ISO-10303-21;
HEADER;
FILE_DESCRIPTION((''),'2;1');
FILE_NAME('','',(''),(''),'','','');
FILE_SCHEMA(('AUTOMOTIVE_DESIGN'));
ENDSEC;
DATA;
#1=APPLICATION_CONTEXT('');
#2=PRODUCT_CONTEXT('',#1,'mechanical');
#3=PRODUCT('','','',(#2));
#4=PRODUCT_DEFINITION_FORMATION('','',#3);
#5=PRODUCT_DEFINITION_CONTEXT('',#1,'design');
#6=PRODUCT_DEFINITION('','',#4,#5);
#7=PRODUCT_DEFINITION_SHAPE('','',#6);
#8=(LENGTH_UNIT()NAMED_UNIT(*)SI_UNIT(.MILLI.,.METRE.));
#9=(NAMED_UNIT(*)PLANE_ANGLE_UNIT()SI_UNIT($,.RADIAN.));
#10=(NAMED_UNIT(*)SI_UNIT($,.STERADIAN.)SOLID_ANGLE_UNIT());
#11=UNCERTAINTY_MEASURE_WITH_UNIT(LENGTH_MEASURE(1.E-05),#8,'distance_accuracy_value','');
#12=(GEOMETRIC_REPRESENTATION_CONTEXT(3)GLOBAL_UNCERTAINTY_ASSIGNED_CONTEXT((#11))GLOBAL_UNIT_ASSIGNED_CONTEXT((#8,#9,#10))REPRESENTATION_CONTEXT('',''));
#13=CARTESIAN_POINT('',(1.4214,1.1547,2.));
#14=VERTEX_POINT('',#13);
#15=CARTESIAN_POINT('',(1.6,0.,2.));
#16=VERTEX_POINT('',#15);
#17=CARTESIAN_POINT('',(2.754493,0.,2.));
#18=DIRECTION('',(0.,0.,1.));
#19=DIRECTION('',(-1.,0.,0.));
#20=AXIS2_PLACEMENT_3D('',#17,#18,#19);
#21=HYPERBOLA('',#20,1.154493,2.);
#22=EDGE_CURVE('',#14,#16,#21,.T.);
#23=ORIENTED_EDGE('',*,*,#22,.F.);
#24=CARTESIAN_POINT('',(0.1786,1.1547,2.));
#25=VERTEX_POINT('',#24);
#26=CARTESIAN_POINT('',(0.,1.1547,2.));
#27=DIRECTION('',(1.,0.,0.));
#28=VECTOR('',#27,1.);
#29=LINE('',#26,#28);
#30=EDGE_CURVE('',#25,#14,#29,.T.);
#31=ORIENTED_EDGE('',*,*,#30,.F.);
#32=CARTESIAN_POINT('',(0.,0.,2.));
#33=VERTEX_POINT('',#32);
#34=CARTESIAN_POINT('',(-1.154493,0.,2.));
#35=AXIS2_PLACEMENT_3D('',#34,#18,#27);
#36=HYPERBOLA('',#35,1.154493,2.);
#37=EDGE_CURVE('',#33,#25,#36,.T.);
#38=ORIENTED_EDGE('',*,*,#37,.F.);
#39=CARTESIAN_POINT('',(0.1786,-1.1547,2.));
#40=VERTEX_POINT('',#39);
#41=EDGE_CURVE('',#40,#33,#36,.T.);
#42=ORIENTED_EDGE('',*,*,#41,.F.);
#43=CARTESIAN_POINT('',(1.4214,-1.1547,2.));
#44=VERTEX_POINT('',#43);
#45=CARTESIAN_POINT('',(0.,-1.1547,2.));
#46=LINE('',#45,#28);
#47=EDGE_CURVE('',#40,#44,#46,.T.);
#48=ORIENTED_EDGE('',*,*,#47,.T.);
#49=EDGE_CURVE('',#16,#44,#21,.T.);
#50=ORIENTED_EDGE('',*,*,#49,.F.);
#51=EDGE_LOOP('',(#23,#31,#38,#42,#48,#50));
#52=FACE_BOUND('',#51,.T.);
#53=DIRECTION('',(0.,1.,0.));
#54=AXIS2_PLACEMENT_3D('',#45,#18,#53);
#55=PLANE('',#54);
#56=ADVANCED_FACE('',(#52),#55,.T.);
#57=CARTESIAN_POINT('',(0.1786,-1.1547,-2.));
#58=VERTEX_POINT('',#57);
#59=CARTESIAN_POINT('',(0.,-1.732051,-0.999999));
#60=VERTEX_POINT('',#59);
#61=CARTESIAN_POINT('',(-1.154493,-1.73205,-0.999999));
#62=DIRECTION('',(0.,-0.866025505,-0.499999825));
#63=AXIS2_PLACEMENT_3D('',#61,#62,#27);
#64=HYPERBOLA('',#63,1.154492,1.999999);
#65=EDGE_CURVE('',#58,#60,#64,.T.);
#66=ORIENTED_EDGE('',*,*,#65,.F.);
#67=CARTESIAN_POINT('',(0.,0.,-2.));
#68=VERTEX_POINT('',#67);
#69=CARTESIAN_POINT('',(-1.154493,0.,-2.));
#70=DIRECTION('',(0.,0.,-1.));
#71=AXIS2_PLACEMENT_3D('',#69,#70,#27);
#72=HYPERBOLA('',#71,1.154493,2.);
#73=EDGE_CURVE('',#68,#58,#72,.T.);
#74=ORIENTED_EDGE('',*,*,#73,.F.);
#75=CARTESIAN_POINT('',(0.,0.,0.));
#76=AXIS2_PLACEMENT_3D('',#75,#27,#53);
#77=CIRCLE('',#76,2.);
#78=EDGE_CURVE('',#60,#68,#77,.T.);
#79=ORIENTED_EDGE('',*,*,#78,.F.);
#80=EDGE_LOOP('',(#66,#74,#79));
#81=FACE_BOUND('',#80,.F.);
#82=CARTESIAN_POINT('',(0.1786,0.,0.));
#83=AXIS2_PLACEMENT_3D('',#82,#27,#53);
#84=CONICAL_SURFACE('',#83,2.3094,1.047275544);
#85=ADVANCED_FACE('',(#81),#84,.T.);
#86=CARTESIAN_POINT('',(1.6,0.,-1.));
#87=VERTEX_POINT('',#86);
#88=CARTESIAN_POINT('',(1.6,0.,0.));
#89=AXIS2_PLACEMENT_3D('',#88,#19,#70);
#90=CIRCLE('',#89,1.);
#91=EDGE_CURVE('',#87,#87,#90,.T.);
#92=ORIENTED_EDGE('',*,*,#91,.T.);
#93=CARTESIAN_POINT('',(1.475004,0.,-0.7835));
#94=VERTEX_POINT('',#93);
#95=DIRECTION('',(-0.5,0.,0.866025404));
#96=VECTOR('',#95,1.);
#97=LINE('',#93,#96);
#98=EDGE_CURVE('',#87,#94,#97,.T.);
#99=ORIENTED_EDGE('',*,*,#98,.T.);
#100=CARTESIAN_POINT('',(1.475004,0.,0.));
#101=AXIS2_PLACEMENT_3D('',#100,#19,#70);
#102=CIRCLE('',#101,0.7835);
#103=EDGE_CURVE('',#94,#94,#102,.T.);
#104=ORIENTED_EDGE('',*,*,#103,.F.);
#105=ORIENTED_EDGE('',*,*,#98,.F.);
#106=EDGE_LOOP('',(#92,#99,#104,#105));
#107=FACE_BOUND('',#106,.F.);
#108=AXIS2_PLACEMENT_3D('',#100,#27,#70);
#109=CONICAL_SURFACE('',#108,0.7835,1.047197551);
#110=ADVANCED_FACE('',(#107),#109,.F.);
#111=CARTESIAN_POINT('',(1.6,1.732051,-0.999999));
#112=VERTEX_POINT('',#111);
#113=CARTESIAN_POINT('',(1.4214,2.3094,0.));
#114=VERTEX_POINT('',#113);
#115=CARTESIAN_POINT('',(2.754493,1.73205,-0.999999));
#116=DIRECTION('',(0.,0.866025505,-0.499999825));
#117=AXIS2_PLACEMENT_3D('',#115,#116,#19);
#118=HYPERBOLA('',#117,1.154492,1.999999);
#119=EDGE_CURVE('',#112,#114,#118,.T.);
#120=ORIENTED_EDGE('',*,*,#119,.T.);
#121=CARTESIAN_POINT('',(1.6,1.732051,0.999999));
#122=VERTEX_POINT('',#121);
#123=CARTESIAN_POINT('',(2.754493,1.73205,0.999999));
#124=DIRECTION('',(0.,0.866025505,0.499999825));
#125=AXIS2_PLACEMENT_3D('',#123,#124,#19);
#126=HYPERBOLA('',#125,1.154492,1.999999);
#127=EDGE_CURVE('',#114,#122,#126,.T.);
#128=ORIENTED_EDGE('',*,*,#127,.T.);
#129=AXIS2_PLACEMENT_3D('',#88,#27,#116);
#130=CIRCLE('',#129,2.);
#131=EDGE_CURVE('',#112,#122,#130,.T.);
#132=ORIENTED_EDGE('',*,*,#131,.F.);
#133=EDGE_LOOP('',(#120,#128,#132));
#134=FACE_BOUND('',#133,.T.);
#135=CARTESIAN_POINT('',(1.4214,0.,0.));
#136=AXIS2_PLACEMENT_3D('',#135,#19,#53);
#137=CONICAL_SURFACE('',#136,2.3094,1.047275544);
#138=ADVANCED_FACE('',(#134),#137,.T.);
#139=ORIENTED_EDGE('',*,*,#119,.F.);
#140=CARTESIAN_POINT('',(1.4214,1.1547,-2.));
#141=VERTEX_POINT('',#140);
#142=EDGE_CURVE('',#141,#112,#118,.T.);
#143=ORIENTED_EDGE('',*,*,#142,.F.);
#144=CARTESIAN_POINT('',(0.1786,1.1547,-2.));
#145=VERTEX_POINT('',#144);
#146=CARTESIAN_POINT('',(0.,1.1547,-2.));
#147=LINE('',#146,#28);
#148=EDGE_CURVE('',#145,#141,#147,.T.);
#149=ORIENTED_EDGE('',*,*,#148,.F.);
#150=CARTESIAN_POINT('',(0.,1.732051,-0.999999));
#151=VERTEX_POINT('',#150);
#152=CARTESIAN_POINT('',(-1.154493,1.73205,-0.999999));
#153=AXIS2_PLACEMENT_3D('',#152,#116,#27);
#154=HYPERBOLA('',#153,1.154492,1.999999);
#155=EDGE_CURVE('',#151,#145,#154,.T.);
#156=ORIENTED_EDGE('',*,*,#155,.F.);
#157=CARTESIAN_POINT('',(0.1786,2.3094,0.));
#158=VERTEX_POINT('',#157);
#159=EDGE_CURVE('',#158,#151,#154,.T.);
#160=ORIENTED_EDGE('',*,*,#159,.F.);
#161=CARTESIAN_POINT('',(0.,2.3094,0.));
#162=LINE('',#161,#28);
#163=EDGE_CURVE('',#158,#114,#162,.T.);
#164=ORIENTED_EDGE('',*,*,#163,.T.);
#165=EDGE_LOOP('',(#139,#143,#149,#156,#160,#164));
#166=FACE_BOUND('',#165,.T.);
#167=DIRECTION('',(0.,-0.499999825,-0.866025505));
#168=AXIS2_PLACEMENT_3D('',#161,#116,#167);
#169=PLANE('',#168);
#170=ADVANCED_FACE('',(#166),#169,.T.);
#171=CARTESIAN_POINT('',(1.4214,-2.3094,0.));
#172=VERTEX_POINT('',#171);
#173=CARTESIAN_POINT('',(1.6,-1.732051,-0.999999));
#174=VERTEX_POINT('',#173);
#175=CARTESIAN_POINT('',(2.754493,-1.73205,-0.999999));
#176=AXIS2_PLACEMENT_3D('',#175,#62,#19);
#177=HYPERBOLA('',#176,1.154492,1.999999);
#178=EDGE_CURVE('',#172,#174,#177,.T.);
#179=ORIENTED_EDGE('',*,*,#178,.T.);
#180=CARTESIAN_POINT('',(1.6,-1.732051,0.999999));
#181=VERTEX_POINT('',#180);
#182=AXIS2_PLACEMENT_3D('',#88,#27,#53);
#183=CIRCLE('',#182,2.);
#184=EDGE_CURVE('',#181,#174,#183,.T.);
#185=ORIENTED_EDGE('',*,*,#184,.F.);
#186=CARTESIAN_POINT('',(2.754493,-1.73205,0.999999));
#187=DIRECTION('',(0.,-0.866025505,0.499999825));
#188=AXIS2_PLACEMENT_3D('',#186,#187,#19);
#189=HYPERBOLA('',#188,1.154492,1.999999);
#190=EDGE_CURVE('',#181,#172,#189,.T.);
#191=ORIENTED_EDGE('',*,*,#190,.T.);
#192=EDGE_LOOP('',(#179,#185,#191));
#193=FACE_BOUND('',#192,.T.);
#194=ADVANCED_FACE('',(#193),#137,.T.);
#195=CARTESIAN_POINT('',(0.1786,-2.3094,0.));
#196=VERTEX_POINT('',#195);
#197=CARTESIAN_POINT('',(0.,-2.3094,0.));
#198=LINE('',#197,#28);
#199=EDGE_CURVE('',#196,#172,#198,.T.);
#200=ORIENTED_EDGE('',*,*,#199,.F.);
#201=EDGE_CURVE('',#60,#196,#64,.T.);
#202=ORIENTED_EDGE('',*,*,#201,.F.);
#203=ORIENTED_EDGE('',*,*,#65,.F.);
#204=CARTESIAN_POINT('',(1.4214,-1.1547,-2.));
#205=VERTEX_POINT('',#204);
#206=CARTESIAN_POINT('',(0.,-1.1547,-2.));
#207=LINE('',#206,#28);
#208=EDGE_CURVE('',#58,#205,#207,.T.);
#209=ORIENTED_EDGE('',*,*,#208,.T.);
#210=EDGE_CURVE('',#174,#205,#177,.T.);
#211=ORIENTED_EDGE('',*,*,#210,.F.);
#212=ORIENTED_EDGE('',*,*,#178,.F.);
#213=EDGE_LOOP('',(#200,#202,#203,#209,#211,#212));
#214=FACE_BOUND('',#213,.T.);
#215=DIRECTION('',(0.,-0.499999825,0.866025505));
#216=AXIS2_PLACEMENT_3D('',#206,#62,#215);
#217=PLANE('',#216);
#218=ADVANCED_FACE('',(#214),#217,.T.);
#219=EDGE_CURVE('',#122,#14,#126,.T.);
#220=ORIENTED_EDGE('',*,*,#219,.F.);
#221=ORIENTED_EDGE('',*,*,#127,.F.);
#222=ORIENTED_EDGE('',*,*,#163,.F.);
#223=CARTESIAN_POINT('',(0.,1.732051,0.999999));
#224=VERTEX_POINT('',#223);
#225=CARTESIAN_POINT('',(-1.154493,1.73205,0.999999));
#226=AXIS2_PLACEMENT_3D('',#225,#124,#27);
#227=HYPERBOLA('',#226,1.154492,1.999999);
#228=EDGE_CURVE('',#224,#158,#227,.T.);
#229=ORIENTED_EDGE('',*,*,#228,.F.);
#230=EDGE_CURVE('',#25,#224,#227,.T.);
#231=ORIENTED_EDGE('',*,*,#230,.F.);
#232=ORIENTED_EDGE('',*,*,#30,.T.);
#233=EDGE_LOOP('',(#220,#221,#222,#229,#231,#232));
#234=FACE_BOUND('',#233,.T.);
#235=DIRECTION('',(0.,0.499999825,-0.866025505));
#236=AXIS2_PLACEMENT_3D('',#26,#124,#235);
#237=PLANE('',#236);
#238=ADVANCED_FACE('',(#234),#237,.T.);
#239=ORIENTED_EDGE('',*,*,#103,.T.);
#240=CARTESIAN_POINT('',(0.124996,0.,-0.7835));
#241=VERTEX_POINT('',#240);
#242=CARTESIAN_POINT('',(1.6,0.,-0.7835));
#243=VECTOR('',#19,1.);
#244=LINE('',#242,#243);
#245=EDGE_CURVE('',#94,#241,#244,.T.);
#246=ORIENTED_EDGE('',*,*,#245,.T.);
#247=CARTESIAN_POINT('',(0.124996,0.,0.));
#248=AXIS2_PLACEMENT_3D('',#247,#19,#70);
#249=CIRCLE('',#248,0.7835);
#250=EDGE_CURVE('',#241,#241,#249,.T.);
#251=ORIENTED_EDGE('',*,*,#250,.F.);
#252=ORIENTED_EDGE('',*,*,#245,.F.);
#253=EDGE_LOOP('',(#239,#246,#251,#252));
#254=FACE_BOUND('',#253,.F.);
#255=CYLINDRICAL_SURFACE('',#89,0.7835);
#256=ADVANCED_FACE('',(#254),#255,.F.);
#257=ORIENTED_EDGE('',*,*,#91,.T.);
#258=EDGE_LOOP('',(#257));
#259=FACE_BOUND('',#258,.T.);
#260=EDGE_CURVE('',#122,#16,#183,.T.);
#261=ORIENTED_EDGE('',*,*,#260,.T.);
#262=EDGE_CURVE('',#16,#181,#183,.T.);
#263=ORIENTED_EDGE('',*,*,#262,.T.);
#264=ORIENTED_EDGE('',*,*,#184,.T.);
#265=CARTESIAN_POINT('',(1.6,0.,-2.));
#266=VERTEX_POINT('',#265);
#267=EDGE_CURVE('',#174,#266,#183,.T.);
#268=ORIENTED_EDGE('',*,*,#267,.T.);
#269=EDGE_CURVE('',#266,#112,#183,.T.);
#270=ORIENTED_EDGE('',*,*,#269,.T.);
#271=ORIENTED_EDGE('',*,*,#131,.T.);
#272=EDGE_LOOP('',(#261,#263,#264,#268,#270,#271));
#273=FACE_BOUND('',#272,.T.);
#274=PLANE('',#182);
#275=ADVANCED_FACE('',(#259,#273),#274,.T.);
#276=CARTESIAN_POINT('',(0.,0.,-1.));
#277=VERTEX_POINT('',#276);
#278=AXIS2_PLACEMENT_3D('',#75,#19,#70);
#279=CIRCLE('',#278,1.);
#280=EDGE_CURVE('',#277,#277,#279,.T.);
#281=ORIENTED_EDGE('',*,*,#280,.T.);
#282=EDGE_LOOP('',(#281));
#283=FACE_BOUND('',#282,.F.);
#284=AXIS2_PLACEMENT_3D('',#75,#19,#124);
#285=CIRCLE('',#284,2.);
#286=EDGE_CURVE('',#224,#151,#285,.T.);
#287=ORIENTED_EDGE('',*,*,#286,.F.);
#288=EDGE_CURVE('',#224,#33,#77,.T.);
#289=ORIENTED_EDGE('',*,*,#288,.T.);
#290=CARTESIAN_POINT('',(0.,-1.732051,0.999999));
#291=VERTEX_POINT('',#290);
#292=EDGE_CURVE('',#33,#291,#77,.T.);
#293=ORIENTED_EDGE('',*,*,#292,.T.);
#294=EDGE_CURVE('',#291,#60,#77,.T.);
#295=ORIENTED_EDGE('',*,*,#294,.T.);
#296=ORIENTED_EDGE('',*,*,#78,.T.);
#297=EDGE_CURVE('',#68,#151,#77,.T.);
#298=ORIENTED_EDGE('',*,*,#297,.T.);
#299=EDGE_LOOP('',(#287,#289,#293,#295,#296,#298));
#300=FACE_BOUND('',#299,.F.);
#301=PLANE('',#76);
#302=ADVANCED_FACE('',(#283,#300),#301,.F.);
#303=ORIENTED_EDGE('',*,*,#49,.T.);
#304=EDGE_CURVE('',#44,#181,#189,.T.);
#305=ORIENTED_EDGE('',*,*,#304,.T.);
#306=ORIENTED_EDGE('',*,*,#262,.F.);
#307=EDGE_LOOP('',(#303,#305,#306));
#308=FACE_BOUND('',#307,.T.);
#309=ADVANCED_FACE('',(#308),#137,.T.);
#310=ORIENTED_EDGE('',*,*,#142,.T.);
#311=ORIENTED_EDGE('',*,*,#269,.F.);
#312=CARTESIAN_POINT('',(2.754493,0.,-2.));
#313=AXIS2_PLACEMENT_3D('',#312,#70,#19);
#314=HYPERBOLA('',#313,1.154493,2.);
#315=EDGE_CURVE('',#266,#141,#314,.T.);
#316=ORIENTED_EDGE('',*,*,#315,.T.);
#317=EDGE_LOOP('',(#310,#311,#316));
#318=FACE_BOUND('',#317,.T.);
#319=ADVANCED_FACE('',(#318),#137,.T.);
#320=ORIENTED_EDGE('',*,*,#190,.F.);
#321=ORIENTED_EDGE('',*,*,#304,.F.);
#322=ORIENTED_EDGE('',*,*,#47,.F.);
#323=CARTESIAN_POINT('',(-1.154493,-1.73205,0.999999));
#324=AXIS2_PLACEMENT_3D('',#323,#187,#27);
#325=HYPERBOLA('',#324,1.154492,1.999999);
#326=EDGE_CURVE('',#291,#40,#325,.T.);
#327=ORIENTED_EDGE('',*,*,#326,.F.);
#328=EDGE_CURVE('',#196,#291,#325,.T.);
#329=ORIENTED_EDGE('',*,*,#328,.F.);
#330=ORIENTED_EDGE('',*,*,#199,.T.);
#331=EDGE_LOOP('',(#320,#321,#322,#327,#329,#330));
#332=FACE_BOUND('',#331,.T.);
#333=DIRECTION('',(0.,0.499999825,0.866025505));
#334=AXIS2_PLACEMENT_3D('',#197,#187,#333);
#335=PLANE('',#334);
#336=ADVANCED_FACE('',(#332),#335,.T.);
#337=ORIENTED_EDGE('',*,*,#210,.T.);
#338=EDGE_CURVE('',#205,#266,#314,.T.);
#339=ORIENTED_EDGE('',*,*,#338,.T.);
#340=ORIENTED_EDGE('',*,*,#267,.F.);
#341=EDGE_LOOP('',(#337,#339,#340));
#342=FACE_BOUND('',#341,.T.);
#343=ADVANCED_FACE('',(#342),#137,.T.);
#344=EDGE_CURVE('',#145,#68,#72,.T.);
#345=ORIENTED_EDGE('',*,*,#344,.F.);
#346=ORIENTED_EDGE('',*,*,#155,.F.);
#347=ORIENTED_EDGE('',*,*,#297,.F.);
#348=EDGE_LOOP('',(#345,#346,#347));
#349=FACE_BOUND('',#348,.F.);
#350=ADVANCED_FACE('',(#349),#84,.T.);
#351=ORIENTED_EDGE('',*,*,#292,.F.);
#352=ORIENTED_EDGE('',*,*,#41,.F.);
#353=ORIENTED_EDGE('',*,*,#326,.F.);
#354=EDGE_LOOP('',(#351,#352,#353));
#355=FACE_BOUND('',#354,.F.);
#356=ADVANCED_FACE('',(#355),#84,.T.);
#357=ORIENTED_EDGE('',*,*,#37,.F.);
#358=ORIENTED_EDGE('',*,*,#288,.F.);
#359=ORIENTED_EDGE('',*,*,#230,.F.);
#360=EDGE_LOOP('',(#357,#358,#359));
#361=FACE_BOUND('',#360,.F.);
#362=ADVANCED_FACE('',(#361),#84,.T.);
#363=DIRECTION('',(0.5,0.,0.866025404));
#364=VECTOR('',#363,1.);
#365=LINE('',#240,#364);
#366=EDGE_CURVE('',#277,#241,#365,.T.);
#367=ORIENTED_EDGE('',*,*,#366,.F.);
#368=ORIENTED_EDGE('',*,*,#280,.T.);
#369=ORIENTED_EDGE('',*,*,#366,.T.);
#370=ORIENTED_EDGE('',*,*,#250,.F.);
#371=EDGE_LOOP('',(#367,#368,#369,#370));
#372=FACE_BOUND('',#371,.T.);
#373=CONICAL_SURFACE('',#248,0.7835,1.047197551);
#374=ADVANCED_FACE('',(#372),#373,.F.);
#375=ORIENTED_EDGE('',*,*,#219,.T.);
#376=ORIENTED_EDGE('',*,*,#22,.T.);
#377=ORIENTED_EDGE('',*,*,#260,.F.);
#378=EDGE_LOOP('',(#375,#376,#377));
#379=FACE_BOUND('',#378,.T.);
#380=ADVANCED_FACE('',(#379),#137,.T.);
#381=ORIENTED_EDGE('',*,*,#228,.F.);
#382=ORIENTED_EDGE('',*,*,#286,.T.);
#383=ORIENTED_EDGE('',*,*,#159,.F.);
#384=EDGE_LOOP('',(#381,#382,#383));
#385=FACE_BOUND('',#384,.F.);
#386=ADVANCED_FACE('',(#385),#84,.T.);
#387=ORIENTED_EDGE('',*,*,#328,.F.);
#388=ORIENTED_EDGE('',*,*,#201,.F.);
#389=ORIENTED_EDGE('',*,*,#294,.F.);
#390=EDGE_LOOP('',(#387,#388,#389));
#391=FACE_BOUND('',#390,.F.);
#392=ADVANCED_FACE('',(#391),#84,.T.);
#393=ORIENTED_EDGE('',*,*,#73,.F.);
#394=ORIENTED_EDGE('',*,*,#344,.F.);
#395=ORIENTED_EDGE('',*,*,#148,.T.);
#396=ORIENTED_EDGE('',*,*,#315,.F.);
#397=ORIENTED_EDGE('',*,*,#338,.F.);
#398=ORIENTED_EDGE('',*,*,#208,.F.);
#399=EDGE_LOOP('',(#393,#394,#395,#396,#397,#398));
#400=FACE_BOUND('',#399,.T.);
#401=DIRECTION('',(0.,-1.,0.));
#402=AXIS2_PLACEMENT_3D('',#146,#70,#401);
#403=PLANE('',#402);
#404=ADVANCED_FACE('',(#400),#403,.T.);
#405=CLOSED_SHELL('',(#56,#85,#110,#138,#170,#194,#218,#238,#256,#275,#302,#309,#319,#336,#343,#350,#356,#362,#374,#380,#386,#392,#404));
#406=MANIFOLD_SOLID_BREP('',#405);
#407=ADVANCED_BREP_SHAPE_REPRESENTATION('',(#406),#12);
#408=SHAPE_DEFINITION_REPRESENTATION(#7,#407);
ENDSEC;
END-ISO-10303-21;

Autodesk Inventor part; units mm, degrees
ref_plane "YZ Plane" through (0, 0, 0) normal (1, 0, 0) x (0, 1, 0)
ref_plane "XZ Plane" through (0, 0, 0) normal (0, 1, 0) x (-1, 0, 0)
sketch "Sketch1" plane through (0, 0, 0) normal (1, 0, 0) x (0, 1, 0)
  line L0 (-2.3094, 0) -> (-1.1547, 2)
  line L1 (-1.1547, 2) -> (1.1547, 2)
  line L2 (1.1547, 2) -> (2.3094, 0)
  line L3 (2.3094, 0) -> (1.1547, -2)
  line L4 (1.1547, -2) -> (-1.1547, -2)
  line L5 (-1.1547, -2) -> (-2.3094, 0)
  point P0 (0, 0)
  point P1 (0, 0)
  dimension "d0" = 4.6188
extrude "Body" add sketch "Sketch1" along normal blind 1.6
sketch "Sketch2" plane through (0, 0, 0) normal (0, 0, 1) x (1, 0, 0)
  line L0 (0, 1.1547) -> (0, 2.3094) projected
  line L1 (0, 2.3094) -> (1.6, 2.3094) projected
  line L2 (1.6, 1.1547) -> (1.6, 2.3094) projected
  line L3 (-0.32, 0) -> (1.92, 0) projected
  line L4 (0.1786, 2.3094) -> (0, 2)
  line L5 (1.4214, 2.3094) -> (1.6, 2)
  dimension "d3" = 30
  dimension "d4" = 30
  dimension "d5" = 4
  dimension "d6" = 4
revolve "Chamfer1" cut sketch "Sketch2" angle 360 about axis through (-10, 0, 0) along (1, 0, 0)
sketch "Sketch3" plane through (1.6, 0, 0) normal (1, 0, 0) x (0, 0, -1)
  arc A0 (-1, -1.7321) -> (1, -1.7321) centre (0, 0) ccw projected
hole "Thread" at (1.6, 0, 0) direction (-1, 0, 0) diameter 1.567 end through all thread size "M2x0.4" class "6H" standard "ISO Metric profile"
chamfer "Chamfer2" distance 0.2165 angle 30 1 edges at (1.6, 0, 0.7835) measured on face at (1.6, 1.5853, -0.0315)
chamfer "Chamfer3" distance 0.2165 angle 30 1 edges at (0, 0, 0.7835) measured on face at (0, 1.5853, -0.0315)
ref_plane "Work Plane1" through (-4.7161, 0, 0) normal (0, -0.866, -0.5) x (1, 0, 0)
equation "\"d0\" = 1.1547 * SW"
equation "\"d1\" = KOH"
equation "\"d8\" = -0.5 * GD1 + 0.5 * NND"
equation "\"d40\" = -0.5 * GD1 + 0.5 * NND"
equation "\"d10\" = -0.5 * GD1 + 0.5 * NND"
equation "\"d41\" = -0.5 * GD1 + 0.5 * NND"
equation "\"d3\" = ANG1"
equation "\"d4\" = ANG2"
equation "\"d5\" = SW0"
equation "\"d6\" = SW01"
equation "\"ANG1\" = 30deg"
equation "\"ANG2\" = ANG1"
equation "\"NND\" = 2"
equation "\"KOH\" = 1.6"
equation "\"SW\" = 4"
equation "\"SW0\" = SW"
equation "\"SW01\" = SW"
equation "\"GUL\" = 0.541266 * PTC"
equation "\"THREADDIA\" = 2"
equation "\"TOA\" = 30deg"
equation "\"PTC\" = 0.4"
equation "\"E0\" = 1.155 * SW"
equation "\"GAL\" = 0.541266 * PTC"
equation "\"GD1\" = 1.566987"
properties part number "BS 3692 - M2" material "Steel, Mild"
